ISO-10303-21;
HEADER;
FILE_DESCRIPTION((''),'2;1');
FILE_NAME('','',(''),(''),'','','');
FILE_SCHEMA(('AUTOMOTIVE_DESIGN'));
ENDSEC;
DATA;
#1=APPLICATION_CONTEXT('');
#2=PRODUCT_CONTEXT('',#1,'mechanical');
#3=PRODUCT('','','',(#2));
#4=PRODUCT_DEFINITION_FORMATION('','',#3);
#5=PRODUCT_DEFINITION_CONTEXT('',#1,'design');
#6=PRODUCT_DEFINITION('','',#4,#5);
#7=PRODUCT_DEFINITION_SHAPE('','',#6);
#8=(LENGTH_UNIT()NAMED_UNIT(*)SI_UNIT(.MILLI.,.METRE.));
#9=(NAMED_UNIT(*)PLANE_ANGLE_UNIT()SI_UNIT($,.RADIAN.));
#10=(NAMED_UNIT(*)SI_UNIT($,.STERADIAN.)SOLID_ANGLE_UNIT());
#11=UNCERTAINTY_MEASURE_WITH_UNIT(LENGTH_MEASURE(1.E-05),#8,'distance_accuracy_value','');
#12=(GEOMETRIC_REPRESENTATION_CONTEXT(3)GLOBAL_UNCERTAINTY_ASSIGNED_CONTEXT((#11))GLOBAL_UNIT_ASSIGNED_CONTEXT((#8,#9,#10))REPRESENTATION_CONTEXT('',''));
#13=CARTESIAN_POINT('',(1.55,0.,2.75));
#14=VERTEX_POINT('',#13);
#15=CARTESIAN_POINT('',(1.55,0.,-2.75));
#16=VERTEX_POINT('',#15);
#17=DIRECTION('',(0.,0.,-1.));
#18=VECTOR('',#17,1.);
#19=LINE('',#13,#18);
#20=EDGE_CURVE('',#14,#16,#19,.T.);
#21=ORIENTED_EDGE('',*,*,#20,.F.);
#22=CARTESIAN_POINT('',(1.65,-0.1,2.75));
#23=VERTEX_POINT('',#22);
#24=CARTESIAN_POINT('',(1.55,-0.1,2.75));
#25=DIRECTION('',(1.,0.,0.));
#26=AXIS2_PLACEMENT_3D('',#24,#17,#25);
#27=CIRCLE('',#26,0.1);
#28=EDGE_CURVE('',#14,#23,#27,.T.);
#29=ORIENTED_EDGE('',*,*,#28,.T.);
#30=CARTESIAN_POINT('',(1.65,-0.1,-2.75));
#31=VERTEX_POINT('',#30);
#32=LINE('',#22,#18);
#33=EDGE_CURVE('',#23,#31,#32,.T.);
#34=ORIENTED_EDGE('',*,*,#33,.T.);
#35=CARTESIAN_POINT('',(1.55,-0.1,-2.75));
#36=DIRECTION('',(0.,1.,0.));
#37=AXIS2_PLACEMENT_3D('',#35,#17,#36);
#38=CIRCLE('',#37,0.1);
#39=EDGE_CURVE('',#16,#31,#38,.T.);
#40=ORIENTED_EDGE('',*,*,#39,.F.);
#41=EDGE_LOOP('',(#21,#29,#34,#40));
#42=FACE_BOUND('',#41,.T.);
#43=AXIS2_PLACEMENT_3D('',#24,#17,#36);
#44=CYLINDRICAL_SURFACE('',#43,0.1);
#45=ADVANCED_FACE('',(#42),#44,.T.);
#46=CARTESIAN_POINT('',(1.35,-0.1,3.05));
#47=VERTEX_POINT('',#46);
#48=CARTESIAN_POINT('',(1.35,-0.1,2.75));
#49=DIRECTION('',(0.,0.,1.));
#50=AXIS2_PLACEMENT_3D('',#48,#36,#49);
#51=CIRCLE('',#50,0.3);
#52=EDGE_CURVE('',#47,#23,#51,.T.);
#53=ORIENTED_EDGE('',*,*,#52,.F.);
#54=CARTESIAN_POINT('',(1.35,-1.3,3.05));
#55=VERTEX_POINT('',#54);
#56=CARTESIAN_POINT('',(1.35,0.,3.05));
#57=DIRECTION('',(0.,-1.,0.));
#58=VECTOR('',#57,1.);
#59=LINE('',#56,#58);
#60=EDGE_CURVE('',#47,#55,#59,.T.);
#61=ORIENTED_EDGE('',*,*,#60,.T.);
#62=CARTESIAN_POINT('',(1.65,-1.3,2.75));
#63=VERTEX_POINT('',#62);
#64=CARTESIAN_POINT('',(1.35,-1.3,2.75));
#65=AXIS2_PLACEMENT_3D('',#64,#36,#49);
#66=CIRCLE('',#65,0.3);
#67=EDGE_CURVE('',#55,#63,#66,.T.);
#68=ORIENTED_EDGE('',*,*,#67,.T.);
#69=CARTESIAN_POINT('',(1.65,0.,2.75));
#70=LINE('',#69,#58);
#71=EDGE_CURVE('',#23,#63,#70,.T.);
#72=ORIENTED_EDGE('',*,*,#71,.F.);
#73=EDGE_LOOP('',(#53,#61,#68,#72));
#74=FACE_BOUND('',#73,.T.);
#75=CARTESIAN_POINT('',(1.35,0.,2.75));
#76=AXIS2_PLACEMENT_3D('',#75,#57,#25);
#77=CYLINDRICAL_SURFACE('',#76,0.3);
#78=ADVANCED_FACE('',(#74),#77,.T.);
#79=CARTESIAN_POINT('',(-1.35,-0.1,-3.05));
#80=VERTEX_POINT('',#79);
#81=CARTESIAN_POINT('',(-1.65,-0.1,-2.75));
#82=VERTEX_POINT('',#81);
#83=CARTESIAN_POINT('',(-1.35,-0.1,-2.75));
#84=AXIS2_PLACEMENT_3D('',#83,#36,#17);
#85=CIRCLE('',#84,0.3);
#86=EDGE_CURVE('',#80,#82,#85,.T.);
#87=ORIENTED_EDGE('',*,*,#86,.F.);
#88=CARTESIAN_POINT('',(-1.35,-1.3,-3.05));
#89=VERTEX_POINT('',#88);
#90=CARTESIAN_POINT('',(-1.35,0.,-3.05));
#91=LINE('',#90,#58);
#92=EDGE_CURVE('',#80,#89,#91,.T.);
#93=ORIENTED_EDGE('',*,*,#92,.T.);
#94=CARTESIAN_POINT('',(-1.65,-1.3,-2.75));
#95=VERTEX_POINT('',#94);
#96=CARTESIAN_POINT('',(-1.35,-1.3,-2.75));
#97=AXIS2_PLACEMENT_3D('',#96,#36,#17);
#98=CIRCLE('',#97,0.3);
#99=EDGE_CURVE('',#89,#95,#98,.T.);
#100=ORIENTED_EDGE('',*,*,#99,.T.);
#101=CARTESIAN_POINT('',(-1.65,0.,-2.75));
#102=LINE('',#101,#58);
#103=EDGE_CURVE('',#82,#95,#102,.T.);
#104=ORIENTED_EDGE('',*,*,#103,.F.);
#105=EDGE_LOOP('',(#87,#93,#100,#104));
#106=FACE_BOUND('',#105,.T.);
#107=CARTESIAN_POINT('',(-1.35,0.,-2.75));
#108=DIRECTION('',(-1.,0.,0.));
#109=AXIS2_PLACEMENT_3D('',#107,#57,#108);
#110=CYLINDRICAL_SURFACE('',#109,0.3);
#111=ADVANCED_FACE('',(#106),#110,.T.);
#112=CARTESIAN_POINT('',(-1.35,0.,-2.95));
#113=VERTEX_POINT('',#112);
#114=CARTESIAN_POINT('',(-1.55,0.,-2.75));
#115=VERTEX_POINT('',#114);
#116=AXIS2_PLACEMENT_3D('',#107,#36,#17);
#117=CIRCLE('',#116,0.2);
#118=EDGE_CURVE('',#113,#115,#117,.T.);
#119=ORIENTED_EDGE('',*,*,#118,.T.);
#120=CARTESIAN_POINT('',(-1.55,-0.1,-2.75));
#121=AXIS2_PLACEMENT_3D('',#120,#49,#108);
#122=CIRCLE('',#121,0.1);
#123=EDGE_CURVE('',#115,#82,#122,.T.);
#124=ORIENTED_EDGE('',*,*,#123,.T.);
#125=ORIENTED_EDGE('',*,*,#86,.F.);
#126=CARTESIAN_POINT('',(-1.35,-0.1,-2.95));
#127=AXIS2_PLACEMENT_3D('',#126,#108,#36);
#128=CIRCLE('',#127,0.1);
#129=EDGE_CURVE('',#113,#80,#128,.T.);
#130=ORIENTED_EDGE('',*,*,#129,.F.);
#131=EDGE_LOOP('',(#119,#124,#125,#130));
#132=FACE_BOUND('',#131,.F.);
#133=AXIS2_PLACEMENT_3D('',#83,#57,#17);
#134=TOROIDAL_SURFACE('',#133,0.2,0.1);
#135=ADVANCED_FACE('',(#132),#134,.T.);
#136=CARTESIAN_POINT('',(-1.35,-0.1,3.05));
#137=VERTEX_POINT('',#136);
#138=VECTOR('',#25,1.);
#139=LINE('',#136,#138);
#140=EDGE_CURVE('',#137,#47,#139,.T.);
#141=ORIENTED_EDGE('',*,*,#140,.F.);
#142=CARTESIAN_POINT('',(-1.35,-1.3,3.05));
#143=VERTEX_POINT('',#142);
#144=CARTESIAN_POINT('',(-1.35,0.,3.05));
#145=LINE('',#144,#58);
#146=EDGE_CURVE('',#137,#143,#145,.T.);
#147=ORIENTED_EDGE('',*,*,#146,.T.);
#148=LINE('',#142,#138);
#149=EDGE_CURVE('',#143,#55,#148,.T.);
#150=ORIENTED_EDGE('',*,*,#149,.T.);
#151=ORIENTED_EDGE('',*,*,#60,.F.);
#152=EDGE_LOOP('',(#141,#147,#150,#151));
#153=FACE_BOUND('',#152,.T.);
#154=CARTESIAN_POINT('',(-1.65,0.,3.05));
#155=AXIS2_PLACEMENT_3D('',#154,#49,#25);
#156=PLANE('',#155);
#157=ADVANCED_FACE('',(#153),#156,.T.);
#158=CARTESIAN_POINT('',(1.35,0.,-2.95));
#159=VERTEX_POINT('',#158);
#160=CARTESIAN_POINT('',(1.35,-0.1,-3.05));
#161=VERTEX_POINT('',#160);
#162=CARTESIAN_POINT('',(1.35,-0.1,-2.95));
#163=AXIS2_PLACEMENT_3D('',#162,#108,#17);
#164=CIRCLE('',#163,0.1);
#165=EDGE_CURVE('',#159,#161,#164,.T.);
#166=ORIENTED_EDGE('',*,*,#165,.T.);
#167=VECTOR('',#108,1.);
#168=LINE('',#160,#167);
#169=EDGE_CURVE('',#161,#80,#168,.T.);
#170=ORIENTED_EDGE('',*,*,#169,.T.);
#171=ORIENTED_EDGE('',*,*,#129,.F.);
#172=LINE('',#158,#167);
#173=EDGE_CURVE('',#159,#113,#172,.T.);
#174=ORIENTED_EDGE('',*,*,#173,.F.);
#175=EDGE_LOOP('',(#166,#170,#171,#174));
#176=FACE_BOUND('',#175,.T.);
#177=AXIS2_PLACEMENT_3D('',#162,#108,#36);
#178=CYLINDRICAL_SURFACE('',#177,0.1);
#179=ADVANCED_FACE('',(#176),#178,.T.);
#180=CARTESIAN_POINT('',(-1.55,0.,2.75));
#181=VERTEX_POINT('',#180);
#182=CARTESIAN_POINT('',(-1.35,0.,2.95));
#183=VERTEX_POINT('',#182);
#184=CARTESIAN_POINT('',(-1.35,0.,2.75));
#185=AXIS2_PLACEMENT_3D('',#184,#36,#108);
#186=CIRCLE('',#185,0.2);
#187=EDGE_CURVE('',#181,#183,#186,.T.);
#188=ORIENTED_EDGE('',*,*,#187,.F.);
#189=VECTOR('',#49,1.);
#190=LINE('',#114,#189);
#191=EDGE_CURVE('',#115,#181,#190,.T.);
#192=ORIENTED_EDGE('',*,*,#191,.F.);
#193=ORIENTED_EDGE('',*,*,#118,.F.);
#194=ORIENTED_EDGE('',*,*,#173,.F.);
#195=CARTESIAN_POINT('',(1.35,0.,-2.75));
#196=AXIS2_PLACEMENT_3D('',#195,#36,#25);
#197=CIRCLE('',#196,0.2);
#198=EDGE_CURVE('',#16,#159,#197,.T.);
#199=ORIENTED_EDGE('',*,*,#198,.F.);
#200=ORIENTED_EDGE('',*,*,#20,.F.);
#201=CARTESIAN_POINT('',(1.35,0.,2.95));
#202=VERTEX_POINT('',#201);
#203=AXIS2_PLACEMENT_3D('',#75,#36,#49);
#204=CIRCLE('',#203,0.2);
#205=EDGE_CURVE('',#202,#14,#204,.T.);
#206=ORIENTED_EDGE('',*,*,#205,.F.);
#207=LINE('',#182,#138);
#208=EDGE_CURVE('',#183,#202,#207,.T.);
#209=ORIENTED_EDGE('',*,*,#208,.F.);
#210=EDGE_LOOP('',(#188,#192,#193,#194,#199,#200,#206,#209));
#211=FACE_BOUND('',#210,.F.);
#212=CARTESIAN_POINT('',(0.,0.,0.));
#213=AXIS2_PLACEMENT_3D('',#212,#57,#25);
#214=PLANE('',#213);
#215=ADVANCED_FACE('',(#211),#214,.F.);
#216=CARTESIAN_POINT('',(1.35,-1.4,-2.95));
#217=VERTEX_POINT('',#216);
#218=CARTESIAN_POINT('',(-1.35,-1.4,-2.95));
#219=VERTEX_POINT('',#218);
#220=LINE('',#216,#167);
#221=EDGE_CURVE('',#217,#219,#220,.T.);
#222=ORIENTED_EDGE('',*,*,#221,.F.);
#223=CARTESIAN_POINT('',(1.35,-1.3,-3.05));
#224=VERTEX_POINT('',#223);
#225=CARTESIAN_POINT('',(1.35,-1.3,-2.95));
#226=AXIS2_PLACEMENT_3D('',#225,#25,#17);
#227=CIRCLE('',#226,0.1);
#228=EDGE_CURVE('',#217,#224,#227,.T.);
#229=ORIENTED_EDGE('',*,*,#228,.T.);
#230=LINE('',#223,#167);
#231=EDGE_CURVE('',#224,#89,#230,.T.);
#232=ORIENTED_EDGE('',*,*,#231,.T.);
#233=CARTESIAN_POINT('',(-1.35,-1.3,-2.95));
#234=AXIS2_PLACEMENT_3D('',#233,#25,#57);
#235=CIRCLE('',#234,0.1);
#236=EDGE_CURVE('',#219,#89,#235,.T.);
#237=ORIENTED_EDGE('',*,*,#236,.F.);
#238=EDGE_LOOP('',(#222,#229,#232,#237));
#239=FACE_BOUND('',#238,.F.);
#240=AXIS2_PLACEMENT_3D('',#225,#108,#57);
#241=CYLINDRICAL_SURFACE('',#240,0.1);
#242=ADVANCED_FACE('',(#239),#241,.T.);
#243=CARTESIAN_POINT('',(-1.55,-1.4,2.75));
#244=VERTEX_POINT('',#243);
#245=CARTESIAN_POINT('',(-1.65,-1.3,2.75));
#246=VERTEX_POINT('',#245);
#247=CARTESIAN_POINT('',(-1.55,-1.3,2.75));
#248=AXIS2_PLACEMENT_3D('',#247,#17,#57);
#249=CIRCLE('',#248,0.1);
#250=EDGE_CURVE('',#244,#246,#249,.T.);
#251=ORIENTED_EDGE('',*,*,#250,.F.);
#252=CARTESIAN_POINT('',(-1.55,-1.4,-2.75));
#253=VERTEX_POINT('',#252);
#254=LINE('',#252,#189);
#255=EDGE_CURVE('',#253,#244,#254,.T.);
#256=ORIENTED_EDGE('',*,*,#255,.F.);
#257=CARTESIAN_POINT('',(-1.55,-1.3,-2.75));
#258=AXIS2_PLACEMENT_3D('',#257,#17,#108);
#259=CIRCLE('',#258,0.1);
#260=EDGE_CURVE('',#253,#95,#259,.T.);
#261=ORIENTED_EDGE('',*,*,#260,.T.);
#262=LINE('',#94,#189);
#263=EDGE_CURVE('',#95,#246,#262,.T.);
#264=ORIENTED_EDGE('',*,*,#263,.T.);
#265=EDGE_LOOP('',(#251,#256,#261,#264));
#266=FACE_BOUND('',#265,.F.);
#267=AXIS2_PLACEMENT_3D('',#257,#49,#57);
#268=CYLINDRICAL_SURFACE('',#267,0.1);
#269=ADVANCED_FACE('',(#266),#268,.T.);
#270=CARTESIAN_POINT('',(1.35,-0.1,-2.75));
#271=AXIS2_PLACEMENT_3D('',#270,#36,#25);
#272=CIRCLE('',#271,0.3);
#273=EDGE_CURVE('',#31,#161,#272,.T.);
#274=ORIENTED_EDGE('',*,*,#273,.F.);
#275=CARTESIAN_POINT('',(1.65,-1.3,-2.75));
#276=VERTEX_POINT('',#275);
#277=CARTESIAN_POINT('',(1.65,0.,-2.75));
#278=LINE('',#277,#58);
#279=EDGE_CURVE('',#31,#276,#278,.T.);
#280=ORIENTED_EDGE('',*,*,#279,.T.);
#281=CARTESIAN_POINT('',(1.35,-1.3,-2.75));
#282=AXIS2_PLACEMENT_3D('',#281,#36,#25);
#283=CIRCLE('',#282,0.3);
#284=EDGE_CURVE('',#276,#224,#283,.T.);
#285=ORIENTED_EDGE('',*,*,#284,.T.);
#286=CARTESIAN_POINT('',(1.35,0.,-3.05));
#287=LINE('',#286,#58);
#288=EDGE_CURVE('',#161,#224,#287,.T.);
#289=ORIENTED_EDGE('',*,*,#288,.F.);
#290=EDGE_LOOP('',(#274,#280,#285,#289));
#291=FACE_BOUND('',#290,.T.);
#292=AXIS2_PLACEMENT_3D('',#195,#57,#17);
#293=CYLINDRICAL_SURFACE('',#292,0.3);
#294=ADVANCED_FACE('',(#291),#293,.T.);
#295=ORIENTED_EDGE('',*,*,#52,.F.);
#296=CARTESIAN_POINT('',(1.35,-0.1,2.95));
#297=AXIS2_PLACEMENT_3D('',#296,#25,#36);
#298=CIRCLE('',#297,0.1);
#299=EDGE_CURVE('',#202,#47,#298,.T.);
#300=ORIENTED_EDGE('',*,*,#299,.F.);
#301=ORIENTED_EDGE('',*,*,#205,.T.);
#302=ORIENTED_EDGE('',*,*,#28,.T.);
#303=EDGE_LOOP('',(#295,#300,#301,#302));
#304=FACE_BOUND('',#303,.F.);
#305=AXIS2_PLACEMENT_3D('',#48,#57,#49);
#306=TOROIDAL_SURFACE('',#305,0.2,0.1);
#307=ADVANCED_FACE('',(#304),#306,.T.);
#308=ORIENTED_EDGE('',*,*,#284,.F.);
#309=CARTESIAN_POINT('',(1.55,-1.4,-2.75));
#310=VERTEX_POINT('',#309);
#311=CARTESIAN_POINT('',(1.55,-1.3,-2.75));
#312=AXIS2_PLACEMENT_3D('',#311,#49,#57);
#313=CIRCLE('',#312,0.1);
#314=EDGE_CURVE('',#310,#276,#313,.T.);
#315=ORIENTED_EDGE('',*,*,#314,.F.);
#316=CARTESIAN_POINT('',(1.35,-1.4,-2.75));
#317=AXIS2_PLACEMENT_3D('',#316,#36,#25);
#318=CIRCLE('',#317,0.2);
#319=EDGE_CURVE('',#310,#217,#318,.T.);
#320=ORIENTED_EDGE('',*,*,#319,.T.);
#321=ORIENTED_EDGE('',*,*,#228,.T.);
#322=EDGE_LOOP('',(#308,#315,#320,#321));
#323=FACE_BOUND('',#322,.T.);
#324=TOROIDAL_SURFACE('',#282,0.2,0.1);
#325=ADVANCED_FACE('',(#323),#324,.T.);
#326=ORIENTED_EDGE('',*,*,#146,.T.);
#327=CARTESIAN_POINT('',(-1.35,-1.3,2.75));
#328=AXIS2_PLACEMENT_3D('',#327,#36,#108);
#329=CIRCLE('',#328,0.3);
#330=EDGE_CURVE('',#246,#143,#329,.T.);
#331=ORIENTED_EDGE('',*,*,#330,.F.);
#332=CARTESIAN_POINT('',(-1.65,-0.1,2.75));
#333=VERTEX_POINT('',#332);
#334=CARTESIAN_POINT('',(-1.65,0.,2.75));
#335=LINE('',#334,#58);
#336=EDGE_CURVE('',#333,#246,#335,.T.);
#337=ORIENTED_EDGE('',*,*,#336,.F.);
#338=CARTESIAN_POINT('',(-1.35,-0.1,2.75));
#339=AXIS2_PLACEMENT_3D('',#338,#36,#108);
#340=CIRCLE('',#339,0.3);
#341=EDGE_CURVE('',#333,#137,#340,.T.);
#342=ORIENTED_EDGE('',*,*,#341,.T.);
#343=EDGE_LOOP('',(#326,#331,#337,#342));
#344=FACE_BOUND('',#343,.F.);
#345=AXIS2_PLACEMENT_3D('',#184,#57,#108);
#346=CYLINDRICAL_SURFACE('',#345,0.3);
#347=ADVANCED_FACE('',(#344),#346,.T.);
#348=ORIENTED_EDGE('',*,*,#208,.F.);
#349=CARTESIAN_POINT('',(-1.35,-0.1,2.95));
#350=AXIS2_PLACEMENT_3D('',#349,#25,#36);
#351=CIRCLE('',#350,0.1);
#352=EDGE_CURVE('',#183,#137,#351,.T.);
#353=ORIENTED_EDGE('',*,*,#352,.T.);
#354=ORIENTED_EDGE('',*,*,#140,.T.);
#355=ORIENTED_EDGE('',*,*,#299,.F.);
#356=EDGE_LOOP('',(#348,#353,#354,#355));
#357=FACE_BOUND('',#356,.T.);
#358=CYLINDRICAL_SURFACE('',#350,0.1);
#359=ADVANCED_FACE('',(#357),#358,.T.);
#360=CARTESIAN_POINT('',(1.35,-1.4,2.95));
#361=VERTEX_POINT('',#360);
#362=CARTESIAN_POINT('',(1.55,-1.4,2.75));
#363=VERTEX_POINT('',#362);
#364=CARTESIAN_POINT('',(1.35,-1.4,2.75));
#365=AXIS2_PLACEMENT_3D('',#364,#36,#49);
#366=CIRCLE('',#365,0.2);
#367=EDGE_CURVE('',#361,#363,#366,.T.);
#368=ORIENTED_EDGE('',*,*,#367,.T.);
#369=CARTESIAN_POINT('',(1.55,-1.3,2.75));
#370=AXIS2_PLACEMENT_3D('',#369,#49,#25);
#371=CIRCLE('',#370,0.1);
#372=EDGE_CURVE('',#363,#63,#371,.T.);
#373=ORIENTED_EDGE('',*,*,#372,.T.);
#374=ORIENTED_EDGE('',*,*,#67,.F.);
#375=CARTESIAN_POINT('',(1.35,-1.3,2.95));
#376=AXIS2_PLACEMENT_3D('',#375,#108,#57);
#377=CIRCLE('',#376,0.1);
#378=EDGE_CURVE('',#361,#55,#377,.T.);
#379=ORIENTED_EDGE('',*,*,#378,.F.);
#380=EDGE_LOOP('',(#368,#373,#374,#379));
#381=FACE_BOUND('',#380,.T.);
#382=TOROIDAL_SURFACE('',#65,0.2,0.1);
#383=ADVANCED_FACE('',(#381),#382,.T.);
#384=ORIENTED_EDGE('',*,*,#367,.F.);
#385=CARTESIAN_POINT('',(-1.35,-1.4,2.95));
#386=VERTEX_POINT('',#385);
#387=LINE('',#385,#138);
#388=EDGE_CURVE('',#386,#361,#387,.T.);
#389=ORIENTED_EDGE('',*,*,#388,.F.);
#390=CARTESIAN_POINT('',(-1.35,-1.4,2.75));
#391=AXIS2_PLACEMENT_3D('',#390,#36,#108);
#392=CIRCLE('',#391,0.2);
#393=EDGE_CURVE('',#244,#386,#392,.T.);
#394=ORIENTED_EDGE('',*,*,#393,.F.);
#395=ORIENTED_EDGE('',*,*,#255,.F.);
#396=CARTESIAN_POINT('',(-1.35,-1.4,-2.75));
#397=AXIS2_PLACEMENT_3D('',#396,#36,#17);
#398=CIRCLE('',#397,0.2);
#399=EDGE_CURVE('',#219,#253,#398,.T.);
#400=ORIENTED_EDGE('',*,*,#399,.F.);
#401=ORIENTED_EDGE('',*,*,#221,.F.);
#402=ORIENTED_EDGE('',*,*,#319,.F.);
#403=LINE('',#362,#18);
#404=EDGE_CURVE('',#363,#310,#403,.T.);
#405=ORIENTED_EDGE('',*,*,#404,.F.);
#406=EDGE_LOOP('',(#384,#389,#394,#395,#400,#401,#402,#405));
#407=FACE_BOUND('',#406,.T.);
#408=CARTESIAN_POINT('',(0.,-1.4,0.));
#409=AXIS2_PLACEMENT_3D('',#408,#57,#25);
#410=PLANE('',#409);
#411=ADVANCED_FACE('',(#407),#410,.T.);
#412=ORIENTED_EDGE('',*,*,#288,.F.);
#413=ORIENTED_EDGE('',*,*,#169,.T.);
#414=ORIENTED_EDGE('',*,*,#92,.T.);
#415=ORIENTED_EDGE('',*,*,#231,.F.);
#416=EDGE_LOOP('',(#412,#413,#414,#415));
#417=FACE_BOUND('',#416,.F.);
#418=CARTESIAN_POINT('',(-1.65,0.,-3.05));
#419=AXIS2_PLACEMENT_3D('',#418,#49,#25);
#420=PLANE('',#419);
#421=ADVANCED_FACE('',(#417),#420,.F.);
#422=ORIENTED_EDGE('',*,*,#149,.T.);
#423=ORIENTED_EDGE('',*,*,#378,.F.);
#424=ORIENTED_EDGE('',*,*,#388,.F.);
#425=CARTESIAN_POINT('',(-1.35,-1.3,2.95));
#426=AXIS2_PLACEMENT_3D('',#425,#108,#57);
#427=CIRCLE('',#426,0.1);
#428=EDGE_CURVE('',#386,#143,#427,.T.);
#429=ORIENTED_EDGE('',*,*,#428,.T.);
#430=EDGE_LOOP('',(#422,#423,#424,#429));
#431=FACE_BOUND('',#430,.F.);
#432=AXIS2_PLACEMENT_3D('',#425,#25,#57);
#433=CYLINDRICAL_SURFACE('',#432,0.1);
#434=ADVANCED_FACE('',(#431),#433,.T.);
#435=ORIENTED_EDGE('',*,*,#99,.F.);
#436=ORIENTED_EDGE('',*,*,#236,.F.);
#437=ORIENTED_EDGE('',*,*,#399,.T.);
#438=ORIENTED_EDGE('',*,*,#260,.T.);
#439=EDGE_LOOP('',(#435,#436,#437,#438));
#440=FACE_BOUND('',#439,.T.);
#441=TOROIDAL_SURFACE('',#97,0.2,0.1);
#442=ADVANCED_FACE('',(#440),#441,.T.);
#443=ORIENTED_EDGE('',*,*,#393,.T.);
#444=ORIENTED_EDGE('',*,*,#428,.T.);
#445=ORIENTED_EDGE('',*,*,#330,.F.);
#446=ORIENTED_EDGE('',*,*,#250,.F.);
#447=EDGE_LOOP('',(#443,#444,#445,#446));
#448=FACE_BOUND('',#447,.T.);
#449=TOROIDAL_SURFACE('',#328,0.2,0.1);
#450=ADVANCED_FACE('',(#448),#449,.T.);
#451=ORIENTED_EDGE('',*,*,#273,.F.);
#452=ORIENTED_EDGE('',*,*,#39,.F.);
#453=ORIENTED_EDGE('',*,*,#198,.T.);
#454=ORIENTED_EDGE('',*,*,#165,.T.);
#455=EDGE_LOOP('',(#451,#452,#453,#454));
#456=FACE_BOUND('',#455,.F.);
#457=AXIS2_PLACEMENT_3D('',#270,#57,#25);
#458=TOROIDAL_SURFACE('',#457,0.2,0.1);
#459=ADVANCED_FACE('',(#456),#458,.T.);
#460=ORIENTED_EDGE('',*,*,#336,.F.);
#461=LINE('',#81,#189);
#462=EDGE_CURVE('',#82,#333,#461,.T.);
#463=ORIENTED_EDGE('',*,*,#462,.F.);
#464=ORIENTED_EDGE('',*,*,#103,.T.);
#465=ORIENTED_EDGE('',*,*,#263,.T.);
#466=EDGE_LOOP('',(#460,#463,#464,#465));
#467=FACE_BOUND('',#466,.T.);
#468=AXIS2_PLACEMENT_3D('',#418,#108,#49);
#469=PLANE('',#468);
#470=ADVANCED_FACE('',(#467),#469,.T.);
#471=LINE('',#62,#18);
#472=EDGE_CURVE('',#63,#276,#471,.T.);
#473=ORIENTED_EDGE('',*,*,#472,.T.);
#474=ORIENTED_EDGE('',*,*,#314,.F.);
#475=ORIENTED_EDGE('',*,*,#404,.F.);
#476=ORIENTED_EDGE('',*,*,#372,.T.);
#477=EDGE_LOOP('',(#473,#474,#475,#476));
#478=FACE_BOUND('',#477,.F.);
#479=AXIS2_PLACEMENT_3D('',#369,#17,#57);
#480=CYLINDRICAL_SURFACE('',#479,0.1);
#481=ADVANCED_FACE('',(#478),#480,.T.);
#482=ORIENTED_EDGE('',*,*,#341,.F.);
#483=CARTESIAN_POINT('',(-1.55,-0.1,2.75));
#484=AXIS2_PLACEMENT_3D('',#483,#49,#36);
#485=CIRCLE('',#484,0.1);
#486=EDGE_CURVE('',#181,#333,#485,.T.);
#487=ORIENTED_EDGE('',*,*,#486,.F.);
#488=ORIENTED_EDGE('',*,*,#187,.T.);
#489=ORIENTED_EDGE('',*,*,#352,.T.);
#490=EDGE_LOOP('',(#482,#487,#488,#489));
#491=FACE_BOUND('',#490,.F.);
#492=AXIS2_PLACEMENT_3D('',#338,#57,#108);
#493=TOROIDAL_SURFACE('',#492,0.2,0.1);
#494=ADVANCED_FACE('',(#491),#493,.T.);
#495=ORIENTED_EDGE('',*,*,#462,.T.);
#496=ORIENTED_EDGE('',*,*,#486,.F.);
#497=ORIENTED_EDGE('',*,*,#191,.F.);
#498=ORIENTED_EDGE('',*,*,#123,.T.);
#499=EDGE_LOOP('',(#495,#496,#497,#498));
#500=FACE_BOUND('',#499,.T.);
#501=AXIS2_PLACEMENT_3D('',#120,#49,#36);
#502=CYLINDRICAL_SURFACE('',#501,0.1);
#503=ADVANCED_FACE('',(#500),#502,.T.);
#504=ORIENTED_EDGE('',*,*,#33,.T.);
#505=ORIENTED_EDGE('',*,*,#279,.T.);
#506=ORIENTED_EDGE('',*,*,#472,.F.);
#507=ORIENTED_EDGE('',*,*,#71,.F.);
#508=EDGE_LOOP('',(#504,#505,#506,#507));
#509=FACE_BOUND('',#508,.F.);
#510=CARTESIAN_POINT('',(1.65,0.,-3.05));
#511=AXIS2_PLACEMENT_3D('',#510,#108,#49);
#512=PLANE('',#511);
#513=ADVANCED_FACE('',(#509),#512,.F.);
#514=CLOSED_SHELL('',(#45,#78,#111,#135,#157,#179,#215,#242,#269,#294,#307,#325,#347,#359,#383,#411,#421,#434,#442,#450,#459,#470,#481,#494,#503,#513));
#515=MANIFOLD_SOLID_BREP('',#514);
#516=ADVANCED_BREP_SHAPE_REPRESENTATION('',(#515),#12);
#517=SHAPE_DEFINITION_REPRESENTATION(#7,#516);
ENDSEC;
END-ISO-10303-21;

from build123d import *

# Parameters (mm, degrees)
F0_W     = 3.3
F0_H     = 6.1
F1_DEPTH = 1.4
F2_R     = 0.3
F3_R     = 0.1


with BuildPart() as f1:
    # F0 (on Front) → F1 (new body)
    with BuildSketch(Plane.XZ):
        Rectangle(F0_W, F0_H)
    extrude(amount=F1_DEPTH)

    # F2
    f2_edges = [f1.edges().sort_by_distance(p)[0] for p in [
        (1.65, -0.7, 3.05),
        (-1.65, -0.7, 3.05),
        (-1.65, -0.7, -3.05),
        (1.65, -0.7, -3.05),
    ]]
    fillet(f2_edges, radius=F2_R)

    # F3
    f3_edges = [f1.edges().sort_by_distance(p)[0] for p in [
        (0, -1.4, 3.05),
        (1.562132, -1.4, 2.962132),
        (-1.562132, -1.4, 2.962132),
        (1.65, -1.4, 0),
        (-1.65, -1.4, 0),
        (1.562132, -1.4, -2.962132),
        (-1.562132, -1.4, -2.962132),
        (0, -1.4, -3.05),
        (0, 0, 3.05),
        (1.562132, 0, 2.962132),
        (-1.562132, 0, 2.962132),
        (1.65, 0, 0),
        (-1.65, 0, 0),
        (1.562132, 0, -2.962132),
        (-1.562132, 0, -2.962132),
        (0, 0, -3.05),
    ]]
    fillet(f3_edges, radius=F3_R)


solid = f1.part
